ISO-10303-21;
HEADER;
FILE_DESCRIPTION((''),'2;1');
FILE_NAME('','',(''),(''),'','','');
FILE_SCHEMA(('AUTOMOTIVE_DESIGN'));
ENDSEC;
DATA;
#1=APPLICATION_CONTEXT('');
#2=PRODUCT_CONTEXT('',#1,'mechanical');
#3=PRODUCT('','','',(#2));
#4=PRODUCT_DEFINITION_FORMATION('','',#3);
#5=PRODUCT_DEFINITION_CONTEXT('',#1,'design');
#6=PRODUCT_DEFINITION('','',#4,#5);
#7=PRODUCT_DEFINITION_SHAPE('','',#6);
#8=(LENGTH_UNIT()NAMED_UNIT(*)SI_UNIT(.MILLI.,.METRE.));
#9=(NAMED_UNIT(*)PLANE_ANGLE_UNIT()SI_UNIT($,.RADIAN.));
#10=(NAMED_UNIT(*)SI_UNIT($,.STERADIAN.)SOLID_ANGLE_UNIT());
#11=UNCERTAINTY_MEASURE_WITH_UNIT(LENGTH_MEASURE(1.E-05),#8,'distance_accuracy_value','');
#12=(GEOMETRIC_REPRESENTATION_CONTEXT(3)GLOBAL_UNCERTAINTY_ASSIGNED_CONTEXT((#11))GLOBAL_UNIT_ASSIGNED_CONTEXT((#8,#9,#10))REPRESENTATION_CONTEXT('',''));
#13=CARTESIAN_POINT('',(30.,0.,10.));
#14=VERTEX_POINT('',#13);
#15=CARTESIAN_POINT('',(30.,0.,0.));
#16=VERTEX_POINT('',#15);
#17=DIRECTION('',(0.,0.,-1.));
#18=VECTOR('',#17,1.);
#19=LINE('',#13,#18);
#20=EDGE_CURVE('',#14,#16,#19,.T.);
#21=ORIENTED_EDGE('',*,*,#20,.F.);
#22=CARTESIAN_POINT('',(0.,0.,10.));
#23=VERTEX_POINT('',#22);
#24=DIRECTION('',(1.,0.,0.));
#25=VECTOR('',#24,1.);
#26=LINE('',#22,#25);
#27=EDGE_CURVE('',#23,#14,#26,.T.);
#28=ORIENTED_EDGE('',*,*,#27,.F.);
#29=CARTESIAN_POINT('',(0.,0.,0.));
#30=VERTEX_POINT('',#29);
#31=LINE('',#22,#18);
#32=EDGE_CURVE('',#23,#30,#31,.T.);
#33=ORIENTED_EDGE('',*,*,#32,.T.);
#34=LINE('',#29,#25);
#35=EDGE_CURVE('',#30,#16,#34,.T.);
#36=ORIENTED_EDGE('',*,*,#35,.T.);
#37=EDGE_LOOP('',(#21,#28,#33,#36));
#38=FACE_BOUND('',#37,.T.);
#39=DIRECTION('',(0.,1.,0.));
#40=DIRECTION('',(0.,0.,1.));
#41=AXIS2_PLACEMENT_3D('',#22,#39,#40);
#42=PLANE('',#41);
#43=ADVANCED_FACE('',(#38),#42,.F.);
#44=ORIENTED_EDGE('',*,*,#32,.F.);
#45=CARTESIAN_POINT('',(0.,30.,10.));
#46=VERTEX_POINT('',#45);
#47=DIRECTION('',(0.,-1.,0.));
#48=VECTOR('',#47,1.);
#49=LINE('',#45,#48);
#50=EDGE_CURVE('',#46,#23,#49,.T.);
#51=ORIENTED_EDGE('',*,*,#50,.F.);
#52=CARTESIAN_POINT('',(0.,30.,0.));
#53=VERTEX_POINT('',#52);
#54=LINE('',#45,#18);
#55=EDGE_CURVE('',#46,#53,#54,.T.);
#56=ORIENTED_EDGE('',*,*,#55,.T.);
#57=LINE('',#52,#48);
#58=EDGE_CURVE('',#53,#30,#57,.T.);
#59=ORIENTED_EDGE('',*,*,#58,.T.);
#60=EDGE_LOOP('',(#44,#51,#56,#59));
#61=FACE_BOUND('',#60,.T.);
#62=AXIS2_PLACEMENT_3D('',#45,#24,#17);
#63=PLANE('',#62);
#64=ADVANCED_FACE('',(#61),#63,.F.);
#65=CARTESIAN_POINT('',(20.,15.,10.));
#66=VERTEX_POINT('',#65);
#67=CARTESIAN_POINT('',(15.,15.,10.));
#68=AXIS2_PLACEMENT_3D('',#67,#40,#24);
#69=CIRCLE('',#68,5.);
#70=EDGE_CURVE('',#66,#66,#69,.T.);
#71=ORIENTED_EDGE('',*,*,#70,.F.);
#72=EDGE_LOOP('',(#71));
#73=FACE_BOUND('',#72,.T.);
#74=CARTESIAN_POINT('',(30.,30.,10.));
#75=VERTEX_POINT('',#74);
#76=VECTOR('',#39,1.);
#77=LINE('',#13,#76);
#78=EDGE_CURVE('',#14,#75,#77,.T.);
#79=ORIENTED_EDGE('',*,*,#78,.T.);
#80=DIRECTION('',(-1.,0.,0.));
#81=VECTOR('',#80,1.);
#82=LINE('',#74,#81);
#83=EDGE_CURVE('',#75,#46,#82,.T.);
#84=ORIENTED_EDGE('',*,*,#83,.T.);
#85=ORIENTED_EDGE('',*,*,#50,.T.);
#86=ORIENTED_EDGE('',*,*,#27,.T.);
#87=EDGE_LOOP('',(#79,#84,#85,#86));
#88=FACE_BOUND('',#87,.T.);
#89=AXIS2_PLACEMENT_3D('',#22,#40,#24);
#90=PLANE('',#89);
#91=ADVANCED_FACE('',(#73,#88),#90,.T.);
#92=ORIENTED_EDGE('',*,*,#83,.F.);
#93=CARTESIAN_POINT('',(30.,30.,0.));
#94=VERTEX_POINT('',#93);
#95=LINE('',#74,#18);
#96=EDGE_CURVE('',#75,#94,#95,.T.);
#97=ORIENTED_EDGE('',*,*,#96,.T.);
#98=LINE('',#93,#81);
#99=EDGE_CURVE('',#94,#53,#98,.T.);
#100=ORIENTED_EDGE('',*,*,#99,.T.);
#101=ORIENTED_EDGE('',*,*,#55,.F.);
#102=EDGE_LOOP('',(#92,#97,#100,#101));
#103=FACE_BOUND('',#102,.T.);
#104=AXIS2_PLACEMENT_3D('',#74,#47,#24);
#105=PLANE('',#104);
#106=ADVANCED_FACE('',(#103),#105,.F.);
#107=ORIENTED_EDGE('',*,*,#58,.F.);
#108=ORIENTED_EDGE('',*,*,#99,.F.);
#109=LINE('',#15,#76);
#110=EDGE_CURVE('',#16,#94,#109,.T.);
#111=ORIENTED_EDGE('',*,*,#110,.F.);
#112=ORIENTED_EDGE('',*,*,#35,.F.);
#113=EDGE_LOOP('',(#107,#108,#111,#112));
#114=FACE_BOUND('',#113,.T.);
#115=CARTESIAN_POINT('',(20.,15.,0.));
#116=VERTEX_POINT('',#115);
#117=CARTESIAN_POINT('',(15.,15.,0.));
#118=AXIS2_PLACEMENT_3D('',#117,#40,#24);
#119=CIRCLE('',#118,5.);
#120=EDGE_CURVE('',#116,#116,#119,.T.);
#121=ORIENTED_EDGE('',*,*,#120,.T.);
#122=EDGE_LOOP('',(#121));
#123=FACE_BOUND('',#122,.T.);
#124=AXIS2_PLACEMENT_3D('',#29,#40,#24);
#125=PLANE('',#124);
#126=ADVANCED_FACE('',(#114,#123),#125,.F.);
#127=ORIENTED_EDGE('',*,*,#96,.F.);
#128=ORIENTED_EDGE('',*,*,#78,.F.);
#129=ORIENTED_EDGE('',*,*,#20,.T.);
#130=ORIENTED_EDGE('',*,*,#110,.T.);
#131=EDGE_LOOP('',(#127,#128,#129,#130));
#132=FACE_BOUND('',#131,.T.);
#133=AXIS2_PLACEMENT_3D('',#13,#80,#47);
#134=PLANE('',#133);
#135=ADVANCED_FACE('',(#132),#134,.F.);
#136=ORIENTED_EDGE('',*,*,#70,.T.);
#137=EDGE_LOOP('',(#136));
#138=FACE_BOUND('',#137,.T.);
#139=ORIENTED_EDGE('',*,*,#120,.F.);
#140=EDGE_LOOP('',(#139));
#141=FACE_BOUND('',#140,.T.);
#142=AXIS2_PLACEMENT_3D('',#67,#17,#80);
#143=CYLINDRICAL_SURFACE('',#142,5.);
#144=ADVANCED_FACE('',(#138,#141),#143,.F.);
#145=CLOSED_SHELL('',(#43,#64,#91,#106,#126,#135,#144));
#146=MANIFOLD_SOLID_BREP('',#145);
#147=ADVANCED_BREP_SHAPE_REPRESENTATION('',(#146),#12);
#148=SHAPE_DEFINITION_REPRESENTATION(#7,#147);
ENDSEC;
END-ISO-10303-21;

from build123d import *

# Parameters (mm, degrees)
SKETCH1_W           = 30
SKETCH1_H           = 30
SKETCH1_R           = 5
BOSS_EXTRUDE1_DEPTH = 10


with BuildPart() as part:
    # Sketch1 → Boss-Extrude1 (new body)
    with BuildSketch(Plane.XY):
        with Locations((15, 15)):
            Rectangle(SKETCH1_W, SKETCH1_H)
        with Locations((15, 15)):
            Circle(SKETCH1_R, mode=Mode.SUBTRACT)
    extrude(amount=BOSS_EXTRUDE1_DEPTH)


solid = part.part
